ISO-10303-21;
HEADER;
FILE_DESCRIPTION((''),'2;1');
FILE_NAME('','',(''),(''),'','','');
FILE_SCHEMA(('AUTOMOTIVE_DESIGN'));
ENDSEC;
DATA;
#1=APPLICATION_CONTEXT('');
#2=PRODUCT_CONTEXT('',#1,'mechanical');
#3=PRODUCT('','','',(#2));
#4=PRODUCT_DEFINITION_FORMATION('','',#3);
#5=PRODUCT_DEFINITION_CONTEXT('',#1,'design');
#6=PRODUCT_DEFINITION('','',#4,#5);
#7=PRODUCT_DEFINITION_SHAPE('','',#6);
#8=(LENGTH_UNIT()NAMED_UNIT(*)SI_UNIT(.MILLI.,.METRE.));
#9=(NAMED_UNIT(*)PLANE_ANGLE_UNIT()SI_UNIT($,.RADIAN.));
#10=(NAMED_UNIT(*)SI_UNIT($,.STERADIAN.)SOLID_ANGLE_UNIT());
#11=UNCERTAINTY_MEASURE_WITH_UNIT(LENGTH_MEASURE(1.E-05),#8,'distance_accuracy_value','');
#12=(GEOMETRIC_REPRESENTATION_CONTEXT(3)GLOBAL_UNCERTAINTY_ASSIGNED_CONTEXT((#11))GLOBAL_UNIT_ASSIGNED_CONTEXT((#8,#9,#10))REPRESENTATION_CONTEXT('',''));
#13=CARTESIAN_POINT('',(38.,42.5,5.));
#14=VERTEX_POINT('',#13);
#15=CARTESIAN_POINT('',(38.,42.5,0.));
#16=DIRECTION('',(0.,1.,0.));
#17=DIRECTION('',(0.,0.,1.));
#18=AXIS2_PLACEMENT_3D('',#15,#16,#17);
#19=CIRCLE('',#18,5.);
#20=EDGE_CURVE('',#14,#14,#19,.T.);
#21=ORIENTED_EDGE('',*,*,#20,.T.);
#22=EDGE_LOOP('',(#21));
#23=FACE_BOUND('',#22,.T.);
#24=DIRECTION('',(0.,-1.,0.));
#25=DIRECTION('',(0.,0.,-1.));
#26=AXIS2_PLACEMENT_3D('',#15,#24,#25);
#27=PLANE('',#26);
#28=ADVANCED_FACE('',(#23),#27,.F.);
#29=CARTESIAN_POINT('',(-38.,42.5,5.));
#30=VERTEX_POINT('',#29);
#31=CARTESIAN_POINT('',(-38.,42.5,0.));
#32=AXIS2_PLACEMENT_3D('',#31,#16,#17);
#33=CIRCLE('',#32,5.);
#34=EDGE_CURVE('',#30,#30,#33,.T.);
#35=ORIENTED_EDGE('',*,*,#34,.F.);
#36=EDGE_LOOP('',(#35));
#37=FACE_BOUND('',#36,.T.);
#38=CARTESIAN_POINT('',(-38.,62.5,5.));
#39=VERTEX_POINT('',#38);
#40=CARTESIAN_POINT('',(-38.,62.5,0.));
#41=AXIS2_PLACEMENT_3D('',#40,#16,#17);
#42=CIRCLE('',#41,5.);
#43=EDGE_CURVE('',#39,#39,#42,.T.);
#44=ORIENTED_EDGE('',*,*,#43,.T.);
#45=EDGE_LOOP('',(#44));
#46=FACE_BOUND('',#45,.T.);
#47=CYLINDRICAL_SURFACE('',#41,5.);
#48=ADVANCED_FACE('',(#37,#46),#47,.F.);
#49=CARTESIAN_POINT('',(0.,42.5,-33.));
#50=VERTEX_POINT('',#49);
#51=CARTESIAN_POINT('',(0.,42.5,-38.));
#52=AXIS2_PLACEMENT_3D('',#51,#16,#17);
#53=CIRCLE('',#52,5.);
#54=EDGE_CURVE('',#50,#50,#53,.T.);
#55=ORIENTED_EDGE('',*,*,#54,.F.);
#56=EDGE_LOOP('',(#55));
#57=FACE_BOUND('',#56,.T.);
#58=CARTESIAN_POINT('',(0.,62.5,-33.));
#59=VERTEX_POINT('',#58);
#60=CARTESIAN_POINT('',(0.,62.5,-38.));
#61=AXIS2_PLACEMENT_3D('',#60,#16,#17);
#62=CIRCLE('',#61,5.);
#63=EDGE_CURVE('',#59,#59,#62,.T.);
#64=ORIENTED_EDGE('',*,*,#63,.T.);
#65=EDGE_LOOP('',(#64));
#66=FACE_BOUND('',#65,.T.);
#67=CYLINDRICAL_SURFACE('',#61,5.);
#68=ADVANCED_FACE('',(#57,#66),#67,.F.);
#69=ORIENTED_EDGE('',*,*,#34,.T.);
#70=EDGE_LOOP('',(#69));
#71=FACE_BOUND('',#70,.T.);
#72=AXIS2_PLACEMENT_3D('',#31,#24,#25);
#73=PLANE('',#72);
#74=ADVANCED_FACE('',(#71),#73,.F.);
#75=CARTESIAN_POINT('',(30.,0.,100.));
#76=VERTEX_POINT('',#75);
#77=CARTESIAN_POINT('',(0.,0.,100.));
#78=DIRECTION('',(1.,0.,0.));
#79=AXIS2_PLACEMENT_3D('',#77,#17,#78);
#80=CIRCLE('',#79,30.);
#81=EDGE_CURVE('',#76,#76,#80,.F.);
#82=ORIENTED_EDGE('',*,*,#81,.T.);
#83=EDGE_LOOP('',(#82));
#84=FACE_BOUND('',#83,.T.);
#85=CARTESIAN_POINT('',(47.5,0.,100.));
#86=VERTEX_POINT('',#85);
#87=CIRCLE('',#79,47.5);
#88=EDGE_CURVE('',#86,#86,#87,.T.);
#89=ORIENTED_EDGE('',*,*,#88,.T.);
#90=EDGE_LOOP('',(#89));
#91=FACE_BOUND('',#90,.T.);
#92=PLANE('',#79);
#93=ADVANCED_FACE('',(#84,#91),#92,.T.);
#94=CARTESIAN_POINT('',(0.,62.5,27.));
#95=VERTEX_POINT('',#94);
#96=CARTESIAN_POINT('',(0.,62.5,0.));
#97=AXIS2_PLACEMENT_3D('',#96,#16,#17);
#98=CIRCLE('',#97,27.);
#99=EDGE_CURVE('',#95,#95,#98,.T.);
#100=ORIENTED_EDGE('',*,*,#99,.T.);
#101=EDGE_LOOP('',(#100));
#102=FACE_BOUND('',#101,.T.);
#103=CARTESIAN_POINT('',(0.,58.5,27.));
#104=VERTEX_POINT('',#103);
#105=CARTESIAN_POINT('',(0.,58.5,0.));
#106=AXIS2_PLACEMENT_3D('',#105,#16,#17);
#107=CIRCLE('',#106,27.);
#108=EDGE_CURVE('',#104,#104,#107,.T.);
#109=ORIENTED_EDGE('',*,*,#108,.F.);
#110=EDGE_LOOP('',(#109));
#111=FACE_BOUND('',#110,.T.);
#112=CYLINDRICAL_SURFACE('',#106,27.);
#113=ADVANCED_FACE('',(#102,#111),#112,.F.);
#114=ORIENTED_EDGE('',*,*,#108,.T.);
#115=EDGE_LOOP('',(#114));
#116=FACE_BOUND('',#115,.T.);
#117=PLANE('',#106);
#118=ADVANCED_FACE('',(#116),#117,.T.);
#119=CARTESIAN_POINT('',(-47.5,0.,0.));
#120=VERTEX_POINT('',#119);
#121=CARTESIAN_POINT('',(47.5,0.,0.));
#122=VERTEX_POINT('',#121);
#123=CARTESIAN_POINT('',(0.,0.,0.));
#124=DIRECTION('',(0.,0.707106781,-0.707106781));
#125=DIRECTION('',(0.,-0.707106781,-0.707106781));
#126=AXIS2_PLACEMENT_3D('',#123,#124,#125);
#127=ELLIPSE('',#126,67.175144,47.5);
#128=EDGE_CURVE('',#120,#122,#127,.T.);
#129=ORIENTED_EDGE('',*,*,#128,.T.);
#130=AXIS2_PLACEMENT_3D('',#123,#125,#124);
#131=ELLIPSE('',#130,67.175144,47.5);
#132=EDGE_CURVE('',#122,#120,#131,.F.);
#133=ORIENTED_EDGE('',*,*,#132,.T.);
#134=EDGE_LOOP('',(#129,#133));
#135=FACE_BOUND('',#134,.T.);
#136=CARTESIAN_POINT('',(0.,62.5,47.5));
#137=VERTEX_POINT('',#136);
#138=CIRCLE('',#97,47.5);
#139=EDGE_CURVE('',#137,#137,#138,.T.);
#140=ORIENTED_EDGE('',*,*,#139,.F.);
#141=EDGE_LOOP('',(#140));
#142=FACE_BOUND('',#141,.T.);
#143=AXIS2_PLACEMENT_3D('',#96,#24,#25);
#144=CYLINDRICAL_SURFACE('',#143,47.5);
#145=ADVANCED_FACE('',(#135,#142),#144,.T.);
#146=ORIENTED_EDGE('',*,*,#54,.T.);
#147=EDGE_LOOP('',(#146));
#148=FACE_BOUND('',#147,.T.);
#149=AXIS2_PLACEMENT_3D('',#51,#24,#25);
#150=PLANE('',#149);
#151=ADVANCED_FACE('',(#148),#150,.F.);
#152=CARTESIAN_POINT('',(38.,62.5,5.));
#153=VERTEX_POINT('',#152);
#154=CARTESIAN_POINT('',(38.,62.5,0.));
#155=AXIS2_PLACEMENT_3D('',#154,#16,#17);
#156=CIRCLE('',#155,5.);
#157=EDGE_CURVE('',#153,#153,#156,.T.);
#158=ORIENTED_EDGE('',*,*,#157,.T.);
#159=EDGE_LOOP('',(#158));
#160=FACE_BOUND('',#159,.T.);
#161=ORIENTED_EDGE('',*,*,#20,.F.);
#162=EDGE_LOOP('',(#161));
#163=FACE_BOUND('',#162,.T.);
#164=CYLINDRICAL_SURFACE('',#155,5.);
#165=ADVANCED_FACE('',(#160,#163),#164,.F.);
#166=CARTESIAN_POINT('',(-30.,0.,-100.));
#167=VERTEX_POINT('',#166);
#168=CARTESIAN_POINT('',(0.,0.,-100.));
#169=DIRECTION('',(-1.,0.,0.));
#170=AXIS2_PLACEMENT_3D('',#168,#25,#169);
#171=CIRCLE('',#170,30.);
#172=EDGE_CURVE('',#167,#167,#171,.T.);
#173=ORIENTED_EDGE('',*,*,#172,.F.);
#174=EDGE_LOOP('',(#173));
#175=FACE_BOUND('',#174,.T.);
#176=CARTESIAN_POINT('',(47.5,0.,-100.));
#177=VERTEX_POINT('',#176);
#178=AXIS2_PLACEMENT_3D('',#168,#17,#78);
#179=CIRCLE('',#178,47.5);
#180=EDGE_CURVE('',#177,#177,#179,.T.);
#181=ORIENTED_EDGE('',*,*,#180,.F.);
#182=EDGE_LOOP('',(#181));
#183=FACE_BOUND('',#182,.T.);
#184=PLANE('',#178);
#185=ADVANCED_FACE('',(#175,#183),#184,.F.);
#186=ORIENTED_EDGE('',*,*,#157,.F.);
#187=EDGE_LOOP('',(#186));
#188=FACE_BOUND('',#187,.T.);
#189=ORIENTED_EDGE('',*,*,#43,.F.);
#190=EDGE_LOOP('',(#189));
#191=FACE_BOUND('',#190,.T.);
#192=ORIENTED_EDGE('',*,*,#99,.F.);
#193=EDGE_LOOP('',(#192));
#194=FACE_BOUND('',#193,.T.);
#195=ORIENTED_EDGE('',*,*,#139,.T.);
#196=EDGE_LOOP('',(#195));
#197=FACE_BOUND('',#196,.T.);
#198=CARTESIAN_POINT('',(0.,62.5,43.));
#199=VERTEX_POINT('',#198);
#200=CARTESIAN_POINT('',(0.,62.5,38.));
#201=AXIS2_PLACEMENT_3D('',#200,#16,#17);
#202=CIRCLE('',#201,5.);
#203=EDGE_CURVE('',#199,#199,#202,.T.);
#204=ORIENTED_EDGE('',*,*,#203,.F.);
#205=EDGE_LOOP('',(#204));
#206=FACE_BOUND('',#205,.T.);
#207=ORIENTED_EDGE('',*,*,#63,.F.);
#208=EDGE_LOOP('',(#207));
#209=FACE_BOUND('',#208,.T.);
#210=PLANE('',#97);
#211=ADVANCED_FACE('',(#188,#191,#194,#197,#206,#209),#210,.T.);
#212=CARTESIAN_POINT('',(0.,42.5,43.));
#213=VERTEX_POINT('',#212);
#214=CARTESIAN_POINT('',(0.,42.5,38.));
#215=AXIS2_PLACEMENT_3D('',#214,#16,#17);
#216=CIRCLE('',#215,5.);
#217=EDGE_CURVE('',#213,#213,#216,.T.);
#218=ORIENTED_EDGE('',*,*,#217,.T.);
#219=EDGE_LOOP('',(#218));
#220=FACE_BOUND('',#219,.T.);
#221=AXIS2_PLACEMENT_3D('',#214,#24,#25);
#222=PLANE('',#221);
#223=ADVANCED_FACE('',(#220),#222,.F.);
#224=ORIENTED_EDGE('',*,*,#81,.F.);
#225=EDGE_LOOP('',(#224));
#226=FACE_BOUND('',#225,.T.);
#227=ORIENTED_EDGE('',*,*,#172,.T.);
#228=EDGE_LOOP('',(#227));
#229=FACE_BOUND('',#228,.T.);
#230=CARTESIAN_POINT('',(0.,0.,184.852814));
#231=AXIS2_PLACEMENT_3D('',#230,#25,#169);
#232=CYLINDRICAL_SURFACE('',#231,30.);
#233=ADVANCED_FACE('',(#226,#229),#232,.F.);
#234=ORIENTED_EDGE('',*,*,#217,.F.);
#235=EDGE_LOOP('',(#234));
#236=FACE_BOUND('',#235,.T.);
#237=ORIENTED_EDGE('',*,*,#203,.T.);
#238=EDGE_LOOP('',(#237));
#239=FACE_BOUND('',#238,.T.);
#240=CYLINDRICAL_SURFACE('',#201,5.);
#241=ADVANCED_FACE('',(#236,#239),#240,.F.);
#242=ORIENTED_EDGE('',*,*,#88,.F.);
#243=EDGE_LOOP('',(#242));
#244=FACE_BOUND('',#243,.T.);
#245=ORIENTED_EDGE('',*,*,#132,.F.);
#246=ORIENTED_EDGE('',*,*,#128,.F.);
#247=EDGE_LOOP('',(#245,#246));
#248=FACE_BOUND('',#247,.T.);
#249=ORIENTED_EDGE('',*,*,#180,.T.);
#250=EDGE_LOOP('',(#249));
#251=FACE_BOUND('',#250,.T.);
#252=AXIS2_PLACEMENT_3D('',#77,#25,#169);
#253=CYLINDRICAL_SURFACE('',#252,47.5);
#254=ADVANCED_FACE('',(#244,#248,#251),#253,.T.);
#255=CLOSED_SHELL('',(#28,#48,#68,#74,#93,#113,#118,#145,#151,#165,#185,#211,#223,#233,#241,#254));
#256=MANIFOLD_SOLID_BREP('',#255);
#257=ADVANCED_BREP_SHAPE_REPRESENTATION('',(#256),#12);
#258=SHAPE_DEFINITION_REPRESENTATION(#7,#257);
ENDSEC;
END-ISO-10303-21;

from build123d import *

# Parameters (mm, degrees)
SKETCH1_R           = 47.5
BOSS_EXTRUDE1_DEPTH = 100
SKETCH2_R           = 47.5
BOSS_EXTRUDE2_DEPTH = 62.5
SKETCH3_R           = 27
CUT_EXTRUDE1_DEPTH  = 4
HOLE1_D             = 10
HOLE1_DEPTH         = 20
SKETCH6_R           = 30
CUT_EXTRUDE2_DEPTH  = 200


with BuildPart() as part:
    # Sketch1 → Boss-Extrude1 (new body, symmetric)
    with BuildSketch(Plane.XY):
        Circle(SKETCH1_R)
    extrude(amount=BOSS_EXTRUDE1_DEPTH, both=True)

    # Sketch2 → Boss-Extrude2 (add)
    with BuildSketch(Plane(origin=(0, 0, 0), x_dir=(1, 0, 0), z_dir=(0, 1, 0))):
        Circle(SKETCH2_R)
    extrude(amount=BOSS_EXTRUDE2_DEPTH)

    # Sketch3 → Cut-Extrude1 (cut)
    with BuildSketch(Plane(origin=(0, 62.5, 0), x_dir=(1, 0, 0), z_dir=(0, 1, 0))):
        Circle(SKETCH3_R)
    extrude(amount=-CUT_EXTRUDE1_DEPTH, mode=Mode.SUBTRACT)

    # Hole1
    with Locations(Plane(origin=(38, 62.5, 0), x_dir=(0, 0, 1), z_dir=(0, 1, 0))):
        with Locations((0, 0), (-38, -38), (0, -76), (38, -38)):
            Hole(HOLE1_D / 2, depth=HOLE1_DEPTH)

    # Sketch6 → Cut-Extrude2 (cut)
    with BuildSketch(Plane(origin=(0, 0, -100), x_dir=(-1, 0, 0), z_dir=(0, 0, -1))):
        Circle(SKETCH6_R)
    extrude(amount=-CUT_EXTRUDE2_DEPTH, mode=Mode.SUBTRACT)


solid = part.part
